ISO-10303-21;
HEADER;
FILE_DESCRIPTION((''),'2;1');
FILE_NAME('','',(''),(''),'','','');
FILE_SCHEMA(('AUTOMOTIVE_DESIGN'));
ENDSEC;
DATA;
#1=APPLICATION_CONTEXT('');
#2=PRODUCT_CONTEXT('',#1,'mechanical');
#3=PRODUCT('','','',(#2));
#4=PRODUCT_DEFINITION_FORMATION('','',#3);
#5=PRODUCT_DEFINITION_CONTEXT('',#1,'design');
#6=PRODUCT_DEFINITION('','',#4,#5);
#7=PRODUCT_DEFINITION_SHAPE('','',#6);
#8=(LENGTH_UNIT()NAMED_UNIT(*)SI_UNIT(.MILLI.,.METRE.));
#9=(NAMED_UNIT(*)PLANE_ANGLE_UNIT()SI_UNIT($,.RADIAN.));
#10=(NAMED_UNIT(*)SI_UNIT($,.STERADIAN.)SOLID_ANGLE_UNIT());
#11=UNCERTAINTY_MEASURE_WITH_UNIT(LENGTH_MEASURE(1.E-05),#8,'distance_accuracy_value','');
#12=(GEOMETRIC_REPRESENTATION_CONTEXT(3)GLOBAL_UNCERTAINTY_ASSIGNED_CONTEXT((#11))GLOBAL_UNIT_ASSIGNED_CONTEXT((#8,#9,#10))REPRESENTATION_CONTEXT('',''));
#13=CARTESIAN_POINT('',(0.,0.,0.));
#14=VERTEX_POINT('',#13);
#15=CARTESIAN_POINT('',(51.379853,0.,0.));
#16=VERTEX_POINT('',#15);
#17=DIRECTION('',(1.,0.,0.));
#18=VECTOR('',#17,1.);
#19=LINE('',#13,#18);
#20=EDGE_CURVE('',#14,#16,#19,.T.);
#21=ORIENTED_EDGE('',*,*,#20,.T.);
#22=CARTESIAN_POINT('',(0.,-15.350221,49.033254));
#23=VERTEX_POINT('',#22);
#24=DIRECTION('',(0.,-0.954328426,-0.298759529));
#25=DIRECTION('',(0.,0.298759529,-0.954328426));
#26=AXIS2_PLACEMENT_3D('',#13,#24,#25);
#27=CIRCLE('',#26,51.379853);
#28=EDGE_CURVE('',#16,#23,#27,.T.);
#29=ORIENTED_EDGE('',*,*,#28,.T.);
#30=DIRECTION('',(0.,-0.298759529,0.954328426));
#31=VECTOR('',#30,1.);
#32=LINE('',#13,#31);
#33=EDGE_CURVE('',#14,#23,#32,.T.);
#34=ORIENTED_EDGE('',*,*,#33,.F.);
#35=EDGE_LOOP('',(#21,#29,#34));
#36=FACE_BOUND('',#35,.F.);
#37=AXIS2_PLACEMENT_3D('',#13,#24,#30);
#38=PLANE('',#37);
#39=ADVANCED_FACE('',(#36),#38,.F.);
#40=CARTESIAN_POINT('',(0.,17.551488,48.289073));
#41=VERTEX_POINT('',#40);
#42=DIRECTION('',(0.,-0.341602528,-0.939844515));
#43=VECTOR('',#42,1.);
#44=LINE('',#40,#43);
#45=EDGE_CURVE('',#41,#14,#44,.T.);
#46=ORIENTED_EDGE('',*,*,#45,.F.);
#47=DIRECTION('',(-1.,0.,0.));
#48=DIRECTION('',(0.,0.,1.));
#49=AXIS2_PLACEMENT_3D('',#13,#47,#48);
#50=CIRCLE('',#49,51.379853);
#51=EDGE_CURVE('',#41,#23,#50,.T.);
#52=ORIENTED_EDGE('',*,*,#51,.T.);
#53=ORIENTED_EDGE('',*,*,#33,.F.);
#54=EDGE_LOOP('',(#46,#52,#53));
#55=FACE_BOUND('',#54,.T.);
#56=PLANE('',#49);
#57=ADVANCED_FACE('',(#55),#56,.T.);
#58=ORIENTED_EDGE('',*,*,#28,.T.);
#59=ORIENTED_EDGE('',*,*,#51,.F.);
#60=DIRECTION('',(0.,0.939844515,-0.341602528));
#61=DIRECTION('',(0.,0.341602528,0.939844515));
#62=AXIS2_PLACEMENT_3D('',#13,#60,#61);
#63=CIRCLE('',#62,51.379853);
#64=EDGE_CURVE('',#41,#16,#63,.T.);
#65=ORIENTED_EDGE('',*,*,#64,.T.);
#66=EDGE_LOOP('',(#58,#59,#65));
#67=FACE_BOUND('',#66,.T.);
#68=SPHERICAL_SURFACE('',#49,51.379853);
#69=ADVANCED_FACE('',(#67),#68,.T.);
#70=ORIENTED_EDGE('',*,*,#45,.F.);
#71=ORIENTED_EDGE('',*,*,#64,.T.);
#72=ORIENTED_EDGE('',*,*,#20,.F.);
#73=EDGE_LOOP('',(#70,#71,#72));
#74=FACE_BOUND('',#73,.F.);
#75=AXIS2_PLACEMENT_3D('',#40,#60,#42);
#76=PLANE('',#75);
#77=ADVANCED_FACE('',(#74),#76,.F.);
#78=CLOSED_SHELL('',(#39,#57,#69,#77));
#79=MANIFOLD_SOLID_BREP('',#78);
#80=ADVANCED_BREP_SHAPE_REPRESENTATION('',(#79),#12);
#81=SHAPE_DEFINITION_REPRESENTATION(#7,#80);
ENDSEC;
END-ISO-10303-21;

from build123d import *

# Parameters (mm, degrees)
F3_DEPTH = 63.5


with BuildPart() as f1:
    # F0 (on Front) → F1 (revolve)
    with BuildSketch(Plane.XZ):
        with BuildLine():
            Line((0, 0), (51.3798528227, 0))
            ThreePointArc((51.3798528227, 0), (36.3310423473, 36.3310423473), (0, 51.3798528227))
            Line((0, 51.3798528227), (0, 0))
        make_face()
    revolve(axis=Axis((25.6899264113, 0, 0), (-1, 0, 0)))

    # F2 (on face) → F3 (cut)
    with BuildSketch(Plane(origin=(0, 0, 0), x_dir=(0, -1, 0), z_dir=(-1, 0, 0))):
        with BuildLine():
            Line((-17.5514876107, 48.2890728709), (0, 0))
            Line((0, 0), (15.3502206104, 49.0332540557))
            ThreePointArc((15.3502206104, 49.0332540557), (-1.1618285203, 51.3667152013), (-17.5514876107, 48.2890728709))
        make_face()
    extrude(amount=-F3_DEPTH, mode=Mode.SUBTRACT)


solid = f1.part
